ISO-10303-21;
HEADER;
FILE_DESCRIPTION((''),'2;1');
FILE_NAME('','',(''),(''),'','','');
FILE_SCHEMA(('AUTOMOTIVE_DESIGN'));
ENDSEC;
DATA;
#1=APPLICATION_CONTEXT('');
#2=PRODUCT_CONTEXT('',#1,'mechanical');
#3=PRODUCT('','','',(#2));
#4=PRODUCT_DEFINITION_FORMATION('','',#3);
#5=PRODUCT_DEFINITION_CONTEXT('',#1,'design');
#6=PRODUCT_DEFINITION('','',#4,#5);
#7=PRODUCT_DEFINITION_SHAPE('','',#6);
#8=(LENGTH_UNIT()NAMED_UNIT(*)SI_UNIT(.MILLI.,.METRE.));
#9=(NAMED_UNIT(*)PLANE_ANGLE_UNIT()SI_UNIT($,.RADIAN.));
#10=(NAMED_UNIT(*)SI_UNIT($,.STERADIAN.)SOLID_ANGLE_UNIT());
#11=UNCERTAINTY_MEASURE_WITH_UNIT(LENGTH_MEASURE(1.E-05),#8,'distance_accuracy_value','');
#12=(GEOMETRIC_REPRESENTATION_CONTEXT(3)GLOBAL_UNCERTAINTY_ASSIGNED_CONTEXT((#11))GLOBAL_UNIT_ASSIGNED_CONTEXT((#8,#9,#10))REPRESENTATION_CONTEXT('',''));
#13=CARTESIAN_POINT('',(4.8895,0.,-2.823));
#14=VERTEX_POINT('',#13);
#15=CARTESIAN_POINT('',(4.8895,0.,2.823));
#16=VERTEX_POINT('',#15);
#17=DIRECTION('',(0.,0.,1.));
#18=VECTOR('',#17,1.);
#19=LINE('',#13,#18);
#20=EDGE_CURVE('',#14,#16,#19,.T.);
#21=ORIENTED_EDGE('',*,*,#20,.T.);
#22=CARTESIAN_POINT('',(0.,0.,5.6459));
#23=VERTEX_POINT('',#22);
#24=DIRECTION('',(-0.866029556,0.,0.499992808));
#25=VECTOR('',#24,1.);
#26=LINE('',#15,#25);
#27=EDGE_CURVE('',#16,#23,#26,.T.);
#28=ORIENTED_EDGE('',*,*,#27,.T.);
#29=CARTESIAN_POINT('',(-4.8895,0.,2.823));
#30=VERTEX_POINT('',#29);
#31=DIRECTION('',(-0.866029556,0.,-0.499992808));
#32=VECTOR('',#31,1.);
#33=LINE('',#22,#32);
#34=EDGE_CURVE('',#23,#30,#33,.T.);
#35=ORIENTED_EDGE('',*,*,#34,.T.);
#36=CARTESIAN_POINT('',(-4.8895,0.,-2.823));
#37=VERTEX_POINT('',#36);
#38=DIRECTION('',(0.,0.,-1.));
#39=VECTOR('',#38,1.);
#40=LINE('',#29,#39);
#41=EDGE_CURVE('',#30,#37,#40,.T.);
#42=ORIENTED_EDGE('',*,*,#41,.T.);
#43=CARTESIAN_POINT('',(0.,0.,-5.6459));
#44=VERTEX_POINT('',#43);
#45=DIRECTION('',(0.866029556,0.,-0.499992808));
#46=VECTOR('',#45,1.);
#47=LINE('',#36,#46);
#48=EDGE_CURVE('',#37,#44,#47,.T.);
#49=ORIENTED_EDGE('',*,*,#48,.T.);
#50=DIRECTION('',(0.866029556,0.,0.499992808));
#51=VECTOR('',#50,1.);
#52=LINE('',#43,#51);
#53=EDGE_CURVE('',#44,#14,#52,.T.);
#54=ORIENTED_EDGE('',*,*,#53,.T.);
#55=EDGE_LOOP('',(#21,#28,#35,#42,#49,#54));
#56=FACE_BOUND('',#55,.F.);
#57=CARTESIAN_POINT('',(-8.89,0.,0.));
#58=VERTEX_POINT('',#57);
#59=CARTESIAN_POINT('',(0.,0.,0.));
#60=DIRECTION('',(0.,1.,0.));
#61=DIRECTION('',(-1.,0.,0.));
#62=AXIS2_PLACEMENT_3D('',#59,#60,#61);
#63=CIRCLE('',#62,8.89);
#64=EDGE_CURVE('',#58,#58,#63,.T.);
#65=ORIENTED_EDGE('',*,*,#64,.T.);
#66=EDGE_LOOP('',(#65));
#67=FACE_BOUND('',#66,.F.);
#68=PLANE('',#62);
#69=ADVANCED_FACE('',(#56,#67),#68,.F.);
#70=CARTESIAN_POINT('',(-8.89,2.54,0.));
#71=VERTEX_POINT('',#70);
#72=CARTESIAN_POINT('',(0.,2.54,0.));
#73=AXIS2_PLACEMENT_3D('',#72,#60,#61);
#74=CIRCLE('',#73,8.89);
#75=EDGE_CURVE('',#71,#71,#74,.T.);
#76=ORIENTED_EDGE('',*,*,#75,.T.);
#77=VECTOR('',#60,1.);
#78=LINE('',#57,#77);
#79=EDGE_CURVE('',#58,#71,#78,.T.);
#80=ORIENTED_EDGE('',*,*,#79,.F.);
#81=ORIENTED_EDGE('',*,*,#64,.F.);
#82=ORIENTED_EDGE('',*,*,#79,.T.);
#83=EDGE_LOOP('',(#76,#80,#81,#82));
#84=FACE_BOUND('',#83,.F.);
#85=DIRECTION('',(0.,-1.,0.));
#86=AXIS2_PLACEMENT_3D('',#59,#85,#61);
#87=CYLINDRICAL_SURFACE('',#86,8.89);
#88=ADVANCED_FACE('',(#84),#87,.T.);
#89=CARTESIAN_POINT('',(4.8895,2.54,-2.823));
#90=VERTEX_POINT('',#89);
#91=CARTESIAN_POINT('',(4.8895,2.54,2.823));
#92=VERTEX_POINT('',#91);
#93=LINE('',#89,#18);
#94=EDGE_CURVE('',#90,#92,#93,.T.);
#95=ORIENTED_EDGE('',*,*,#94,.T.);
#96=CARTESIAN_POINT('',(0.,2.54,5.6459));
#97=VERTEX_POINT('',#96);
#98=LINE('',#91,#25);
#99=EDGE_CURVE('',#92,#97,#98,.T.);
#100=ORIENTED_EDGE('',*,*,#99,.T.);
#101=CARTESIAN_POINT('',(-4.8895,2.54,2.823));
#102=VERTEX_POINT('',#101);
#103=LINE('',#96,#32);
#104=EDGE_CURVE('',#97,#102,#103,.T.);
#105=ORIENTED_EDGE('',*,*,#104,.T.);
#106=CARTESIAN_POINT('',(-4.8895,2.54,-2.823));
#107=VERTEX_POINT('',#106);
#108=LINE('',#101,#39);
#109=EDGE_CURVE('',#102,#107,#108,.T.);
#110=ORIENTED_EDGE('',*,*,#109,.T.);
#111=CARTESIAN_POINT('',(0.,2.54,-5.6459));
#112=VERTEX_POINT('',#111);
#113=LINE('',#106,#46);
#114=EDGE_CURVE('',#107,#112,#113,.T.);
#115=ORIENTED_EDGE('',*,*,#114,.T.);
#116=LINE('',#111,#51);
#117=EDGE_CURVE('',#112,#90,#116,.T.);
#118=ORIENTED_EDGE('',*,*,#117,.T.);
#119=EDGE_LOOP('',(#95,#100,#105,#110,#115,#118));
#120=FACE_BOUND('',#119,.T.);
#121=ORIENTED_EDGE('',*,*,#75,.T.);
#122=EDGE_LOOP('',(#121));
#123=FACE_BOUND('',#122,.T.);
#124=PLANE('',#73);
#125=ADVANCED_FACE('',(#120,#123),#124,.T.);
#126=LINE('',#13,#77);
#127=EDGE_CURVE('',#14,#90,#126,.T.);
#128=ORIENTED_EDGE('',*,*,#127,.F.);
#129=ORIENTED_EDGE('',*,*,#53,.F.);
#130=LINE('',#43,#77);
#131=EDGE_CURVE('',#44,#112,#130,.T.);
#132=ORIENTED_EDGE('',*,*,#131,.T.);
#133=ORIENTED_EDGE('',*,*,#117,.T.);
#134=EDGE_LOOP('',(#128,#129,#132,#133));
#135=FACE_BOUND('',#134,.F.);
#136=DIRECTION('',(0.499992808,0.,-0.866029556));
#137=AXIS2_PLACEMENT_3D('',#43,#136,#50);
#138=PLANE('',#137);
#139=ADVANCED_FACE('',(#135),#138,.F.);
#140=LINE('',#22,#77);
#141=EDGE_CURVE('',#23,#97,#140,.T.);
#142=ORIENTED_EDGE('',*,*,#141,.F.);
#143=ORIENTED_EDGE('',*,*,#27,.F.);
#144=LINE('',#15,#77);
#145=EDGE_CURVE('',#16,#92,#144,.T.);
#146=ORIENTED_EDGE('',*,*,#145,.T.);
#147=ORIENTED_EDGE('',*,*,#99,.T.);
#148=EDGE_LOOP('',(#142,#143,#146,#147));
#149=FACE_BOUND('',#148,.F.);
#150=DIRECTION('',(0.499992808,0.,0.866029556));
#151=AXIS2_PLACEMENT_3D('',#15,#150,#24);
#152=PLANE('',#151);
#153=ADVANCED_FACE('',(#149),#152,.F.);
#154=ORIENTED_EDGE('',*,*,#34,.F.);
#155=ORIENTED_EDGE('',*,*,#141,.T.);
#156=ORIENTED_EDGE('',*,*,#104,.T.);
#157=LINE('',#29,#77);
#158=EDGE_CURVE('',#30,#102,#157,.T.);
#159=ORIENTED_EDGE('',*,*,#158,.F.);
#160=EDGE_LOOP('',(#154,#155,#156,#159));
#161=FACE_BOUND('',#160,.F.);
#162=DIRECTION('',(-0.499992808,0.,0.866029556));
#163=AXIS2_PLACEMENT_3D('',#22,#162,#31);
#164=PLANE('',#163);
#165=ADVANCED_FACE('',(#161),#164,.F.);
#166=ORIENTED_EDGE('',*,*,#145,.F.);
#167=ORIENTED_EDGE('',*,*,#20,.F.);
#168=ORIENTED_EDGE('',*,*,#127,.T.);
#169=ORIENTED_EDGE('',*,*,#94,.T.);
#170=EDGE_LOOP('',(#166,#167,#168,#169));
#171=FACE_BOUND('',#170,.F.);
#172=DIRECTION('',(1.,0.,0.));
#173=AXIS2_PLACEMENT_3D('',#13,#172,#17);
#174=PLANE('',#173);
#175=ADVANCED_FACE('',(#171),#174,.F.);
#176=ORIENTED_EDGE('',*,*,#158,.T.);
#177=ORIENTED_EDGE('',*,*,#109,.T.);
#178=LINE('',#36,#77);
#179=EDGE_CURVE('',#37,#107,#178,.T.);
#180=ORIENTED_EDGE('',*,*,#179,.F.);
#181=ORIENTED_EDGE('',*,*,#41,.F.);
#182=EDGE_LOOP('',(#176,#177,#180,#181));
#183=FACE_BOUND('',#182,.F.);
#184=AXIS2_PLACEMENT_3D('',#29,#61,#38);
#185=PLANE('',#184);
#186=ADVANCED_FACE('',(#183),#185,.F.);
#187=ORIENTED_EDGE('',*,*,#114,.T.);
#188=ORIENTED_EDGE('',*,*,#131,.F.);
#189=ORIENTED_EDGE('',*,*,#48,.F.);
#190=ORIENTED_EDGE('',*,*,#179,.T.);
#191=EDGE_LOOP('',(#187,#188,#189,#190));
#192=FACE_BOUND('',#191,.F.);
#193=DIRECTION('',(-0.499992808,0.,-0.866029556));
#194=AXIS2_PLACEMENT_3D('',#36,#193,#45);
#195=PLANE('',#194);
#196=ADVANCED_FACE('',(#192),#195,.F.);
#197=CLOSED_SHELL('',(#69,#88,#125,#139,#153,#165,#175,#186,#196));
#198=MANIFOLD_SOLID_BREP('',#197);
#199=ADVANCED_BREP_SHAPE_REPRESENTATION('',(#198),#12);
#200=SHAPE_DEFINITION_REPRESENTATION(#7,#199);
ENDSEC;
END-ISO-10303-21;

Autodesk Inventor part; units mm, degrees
ref_plane "YZ Plane" through (0, 0, 0) normal (1, 0, 0) x (0, 1, 0)
ref_plane "XZ Plane" through (0, 0, 0) normal (0, 1, 0) x (-1, 0, 0)
ref_plane "XY Plane" through (0, 0, 0) normal (0, 0, 1) x (1, 0, 0)
sketch "Sketch1" plane through (0, 0, 0) normal (0, 1, 0) x (-1, 0, 0)
  line L0 (4.8895, -2.823) -> (0, -5.6459)
  line L1 (0, -5.6459) -> (-4.8895, -2.823)
  line L2 (-4.8895, -2.823) -> (-4.8895, 2.823)
  line L3 (-4.8895, 2.823) -> (0, 5.6459)
  line L4 (0, 5.6459) -> (4.8895, 2.823)
  line L5 (4.8895, 2.823) -> (4.8895, -2.823)
  circle A0 centre (0, 0) radius 8.89
  dimension "d0" = 9.779
  dimension "d1" = 17.78
extrude "Extrusion1" add sketch "Sketch1" along normal blind 2.54
properties part number "hexSpacer 3_8 x 0_100"
